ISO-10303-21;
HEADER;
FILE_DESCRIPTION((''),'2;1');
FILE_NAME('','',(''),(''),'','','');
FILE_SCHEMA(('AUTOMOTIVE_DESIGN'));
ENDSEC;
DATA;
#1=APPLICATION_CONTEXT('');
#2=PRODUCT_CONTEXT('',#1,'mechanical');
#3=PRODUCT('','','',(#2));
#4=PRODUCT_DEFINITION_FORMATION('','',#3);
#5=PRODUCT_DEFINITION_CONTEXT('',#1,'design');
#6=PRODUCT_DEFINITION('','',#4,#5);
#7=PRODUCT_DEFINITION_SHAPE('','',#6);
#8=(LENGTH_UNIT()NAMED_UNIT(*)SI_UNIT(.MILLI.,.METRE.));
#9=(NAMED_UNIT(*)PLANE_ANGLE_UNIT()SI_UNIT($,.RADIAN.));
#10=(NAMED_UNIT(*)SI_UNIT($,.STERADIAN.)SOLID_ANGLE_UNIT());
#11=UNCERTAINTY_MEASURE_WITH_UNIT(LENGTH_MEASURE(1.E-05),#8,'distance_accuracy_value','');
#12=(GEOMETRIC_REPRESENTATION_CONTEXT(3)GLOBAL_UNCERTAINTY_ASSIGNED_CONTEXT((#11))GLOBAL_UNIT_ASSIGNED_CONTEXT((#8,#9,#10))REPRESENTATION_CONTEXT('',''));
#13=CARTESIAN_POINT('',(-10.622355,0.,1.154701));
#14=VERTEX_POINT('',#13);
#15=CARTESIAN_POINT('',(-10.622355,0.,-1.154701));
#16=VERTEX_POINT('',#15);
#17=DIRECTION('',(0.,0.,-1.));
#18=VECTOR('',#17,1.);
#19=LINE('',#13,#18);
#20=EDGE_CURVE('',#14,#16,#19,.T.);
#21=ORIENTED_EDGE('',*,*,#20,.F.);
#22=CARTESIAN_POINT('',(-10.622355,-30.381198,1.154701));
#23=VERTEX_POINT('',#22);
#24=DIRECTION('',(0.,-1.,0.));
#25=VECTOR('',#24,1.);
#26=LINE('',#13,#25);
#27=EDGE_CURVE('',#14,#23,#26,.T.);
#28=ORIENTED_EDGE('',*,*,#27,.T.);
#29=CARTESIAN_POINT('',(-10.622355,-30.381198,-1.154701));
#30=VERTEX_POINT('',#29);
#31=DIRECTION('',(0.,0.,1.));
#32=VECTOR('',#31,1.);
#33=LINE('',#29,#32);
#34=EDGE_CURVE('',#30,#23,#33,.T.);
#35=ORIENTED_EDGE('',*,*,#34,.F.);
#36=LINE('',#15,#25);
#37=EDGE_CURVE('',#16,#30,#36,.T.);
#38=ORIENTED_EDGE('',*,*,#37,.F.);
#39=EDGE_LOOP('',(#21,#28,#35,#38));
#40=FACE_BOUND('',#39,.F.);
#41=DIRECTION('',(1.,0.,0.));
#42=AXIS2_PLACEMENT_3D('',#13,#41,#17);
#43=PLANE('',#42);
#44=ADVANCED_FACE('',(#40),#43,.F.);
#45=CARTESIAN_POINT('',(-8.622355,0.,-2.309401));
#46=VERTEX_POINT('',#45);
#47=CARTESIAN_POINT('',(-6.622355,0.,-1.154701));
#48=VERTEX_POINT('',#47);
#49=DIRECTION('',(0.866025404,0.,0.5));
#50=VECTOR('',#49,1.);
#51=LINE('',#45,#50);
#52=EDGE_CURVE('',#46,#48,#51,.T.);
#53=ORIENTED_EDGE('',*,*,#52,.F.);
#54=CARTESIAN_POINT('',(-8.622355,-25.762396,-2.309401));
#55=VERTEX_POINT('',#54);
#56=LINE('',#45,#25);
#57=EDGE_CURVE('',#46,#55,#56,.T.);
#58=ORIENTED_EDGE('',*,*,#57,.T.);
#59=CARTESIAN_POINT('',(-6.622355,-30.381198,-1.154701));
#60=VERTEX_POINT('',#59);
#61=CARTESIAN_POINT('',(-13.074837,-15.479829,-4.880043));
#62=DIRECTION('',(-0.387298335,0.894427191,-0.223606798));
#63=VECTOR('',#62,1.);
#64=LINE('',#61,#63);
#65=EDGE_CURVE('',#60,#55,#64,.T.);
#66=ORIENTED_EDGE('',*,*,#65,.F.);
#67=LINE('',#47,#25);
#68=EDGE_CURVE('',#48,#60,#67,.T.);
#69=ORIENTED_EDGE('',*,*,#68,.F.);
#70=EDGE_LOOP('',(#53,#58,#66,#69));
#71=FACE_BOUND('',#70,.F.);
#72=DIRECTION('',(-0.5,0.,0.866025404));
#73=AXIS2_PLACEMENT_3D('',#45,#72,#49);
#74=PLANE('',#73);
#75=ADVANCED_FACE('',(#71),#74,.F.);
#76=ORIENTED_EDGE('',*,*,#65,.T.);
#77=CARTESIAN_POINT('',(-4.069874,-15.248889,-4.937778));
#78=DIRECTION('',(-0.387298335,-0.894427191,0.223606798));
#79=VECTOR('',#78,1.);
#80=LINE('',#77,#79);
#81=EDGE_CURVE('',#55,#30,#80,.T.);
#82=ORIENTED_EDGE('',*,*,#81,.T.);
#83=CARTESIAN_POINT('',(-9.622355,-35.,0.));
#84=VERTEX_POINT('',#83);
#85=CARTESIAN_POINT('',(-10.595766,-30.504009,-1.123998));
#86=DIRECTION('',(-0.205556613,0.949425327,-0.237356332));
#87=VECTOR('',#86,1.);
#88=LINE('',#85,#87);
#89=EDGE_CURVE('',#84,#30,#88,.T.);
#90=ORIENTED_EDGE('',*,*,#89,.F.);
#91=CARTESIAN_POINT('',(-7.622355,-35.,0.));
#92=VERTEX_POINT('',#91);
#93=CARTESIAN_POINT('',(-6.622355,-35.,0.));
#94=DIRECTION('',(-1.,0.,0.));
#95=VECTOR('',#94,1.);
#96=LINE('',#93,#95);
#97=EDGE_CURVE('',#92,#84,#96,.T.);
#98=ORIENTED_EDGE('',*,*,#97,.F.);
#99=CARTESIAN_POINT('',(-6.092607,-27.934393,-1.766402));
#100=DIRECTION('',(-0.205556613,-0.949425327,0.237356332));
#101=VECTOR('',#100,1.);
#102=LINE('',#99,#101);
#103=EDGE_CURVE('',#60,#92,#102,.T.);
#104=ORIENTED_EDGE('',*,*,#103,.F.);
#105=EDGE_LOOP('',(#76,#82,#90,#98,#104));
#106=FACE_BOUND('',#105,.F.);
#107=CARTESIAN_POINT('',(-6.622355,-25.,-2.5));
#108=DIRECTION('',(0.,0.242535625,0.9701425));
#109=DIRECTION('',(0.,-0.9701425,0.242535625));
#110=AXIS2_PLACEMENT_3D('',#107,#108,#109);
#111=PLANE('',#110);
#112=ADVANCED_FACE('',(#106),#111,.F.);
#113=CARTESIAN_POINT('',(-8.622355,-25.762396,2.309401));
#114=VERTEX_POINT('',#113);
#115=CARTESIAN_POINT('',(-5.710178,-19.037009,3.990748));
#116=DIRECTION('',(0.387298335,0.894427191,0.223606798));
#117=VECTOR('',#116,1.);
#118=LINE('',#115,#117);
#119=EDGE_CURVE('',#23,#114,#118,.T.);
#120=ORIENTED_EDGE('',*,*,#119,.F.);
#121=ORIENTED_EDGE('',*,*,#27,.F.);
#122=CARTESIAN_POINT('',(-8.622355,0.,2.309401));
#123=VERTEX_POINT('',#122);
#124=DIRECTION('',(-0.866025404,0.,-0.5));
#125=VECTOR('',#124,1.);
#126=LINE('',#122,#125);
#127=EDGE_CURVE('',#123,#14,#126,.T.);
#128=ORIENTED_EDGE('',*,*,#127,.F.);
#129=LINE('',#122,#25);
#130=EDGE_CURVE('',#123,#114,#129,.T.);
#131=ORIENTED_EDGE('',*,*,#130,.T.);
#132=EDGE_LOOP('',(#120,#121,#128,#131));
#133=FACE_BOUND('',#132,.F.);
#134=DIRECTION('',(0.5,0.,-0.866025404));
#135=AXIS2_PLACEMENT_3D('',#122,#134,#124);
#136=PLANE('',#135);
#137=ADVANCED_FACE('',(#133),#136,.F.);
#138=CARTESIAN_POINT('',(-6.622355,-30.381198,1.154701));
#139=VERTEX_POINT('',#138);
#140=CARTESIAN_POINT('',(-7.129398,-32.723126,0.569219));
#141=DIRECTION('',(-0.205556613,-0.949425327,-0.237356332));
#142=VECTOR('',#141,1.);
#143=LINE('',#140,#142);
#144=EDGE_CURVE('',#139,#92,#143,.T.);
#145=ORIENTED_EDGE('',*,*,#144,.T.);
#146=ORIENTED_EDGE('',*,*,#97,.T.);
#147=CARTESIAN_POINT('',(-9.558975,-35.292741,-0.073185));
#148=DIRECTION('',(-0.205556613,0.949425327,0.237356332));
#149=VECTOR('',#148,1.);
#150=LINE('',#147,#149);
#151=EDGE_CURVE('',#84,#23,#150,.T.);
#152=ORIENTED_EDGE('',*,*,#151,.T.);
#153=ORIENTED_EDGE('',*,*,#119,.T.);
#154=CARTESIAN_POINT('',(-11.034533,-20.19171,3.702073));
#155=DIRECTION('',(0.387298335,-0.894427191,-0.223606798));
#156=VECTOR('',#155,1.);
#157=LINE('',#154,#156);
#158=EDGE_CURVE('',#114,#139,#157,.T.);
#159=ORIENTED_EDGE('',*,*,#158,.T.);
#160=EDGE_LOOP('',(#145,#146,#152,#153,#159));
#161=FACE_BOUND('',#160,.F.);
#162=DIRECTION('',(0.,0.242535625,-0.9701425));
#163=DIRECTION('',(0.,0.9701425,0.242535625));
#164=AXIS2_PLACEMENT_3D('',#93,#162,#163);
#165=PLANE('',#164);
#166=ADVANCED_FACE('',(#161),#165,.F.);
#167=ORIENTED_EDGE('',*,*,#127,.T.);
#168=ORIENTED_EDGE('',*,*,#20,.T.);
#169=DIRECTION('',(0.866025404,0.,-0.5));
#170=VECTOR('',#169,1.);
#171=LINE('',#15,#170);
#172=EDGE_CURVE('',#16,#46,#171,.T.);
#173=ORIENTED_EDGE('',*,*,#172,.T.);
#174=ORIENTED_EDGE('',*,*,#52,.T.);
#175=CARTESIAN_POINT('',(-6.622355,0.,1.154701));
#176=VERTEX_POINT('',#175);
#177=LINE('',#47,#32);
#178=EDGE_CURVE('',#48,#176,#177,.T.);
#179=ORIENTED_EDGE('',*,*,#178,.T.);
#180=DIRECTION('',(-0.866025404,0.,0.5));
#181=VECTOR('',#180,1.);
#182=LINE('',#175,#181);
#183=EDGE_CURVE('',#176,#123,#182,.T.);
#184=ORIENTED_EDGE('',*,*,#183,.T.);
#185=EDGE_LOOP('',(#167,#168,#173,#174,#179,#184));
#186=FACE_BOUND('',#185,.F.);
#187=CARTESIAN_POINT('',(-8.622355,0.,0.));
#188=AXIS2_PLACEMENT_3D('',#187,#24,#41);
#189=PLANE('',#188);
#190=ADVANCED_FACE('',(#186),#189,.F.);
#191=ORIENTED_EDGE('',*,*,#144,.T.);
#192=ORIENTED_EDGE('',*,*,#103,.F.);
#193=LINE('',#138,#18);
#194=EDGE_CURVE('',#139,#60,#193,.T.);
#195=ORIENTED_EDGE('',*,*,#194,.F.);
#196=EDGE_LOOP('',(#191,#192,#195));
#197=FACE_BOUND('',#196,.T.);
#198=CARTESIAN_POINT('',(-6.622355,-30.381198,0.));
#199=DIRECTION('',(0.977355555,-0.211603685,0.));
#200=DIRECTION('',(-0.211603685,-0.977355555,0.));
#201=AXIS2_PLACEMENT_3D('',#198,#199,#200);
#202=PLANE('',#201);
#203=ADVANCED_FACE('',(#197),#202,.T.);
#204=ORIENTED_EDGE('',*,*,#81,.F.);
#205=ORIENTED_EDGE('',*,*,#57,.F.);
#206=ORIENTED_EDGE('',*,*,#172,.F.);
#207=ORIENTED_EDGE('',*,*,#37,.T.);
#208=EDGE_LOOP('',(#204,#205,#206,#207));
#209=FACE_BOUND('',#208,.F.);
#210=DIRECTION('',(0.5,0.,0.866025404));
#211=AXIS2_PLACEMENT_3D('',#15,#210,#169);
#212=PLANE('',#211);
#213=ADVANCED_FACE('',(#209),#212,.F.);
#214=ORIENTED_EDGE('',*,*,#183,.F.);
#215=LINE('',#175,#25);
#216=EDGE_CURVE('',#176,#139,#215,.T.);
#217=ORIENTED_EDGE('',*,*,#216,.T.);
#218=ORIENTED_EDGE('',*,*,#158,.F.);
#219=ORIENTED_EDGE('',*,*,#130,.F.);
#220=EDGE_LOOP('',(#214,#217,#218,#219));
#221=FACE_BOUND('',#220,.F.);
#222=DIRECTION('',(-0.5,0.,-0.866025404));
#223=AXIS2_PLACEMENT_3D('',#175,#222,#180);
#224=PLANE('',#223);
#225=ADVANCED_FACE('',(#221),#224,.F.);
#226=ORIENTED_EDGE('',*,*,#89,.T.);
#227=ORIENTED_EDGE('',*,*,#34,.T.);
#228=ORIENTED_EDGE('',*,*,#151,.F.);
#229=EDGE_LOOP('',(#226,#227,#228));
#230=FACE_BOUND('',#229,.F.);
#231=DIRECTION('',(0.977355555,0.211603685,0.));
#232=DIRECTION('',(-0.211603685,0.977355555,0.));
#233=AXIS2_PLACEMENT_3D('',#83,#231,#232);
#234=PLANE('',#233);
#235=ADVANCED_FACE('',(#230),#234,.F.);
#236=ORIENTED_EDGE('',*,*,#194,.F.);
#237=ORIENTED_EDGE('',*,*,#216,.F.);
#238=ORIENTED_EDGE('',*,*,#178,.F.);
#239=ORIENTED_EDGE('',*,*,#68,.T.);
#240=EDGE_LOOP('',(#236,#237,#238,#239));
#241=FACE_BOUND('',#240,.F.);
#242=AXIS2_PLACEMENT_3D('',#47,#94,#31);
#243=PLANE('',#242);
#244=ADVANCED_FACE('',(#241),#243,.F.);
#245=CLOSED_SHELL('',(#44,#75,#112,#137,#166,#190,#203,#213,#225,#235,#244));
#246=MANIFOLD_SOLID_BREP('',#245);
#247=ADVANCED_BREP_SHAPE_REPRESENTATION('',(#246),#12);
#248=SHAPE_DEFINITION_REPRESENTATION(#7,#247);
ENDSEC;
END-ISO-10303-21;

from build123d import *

# Parameters (mm, degrees)
F1_DEPTH      = 35
F3_DEPTH      = 4.001
F5_DEPTH      = 2.3104010768
F5_DEPTH_BACK = 2.3104010768


with BuildPart() as f1:
    # F0 (on Front) → F1 (new body)
    with BuildSketch(Plane.XZ):
        Polygon((-6.6223553988, -1.1547005384), (-6.6223553988, 1.1547005384), (-8.6223553988, 2.3094010768), (-10.6223553988, 1.1547005384), (-10.6223553988, -1.1547005384), (-8.6223553988, -2.3094010768), align=None)
    extrude(amount=F1_DEPTH)

    # F2 (on face) → F3 (cut, through all)
    with BuildSketch(Plane.YZ.offset(-6.6223553988)):
        Polygon((-35, 2.5), (-35, 0), (-25, 2.5), align=None)
        Polygon((-25, -2.5), (-35, 0), (-35, -2.5), align=None)
    extrude(amount=-F3_DEPTH, mode=Mode.SUBTRACT)

    # F4 (on Top) → F5 (cut, two sides)
    with BuildSketch(Plane.XY) as f5_sk:
        Polygon((-6.6223553988, -35), (-6.6223553988, -30.3811978465), (-7.6223553988, -35), align=None)
        Polygon((-10.6223553988, -35), (-9.6223553988, -35), (-10.6223553988, -30.3811978465), align=None)
    extrude(amount=-F5_DEPTH, mode=Mode.SUBTRACT)
    extrude(f5_sk.sketch, amount=F5_DEPTH_BACK, mode=Mode.SUBTRACT)


solid = f1.part
